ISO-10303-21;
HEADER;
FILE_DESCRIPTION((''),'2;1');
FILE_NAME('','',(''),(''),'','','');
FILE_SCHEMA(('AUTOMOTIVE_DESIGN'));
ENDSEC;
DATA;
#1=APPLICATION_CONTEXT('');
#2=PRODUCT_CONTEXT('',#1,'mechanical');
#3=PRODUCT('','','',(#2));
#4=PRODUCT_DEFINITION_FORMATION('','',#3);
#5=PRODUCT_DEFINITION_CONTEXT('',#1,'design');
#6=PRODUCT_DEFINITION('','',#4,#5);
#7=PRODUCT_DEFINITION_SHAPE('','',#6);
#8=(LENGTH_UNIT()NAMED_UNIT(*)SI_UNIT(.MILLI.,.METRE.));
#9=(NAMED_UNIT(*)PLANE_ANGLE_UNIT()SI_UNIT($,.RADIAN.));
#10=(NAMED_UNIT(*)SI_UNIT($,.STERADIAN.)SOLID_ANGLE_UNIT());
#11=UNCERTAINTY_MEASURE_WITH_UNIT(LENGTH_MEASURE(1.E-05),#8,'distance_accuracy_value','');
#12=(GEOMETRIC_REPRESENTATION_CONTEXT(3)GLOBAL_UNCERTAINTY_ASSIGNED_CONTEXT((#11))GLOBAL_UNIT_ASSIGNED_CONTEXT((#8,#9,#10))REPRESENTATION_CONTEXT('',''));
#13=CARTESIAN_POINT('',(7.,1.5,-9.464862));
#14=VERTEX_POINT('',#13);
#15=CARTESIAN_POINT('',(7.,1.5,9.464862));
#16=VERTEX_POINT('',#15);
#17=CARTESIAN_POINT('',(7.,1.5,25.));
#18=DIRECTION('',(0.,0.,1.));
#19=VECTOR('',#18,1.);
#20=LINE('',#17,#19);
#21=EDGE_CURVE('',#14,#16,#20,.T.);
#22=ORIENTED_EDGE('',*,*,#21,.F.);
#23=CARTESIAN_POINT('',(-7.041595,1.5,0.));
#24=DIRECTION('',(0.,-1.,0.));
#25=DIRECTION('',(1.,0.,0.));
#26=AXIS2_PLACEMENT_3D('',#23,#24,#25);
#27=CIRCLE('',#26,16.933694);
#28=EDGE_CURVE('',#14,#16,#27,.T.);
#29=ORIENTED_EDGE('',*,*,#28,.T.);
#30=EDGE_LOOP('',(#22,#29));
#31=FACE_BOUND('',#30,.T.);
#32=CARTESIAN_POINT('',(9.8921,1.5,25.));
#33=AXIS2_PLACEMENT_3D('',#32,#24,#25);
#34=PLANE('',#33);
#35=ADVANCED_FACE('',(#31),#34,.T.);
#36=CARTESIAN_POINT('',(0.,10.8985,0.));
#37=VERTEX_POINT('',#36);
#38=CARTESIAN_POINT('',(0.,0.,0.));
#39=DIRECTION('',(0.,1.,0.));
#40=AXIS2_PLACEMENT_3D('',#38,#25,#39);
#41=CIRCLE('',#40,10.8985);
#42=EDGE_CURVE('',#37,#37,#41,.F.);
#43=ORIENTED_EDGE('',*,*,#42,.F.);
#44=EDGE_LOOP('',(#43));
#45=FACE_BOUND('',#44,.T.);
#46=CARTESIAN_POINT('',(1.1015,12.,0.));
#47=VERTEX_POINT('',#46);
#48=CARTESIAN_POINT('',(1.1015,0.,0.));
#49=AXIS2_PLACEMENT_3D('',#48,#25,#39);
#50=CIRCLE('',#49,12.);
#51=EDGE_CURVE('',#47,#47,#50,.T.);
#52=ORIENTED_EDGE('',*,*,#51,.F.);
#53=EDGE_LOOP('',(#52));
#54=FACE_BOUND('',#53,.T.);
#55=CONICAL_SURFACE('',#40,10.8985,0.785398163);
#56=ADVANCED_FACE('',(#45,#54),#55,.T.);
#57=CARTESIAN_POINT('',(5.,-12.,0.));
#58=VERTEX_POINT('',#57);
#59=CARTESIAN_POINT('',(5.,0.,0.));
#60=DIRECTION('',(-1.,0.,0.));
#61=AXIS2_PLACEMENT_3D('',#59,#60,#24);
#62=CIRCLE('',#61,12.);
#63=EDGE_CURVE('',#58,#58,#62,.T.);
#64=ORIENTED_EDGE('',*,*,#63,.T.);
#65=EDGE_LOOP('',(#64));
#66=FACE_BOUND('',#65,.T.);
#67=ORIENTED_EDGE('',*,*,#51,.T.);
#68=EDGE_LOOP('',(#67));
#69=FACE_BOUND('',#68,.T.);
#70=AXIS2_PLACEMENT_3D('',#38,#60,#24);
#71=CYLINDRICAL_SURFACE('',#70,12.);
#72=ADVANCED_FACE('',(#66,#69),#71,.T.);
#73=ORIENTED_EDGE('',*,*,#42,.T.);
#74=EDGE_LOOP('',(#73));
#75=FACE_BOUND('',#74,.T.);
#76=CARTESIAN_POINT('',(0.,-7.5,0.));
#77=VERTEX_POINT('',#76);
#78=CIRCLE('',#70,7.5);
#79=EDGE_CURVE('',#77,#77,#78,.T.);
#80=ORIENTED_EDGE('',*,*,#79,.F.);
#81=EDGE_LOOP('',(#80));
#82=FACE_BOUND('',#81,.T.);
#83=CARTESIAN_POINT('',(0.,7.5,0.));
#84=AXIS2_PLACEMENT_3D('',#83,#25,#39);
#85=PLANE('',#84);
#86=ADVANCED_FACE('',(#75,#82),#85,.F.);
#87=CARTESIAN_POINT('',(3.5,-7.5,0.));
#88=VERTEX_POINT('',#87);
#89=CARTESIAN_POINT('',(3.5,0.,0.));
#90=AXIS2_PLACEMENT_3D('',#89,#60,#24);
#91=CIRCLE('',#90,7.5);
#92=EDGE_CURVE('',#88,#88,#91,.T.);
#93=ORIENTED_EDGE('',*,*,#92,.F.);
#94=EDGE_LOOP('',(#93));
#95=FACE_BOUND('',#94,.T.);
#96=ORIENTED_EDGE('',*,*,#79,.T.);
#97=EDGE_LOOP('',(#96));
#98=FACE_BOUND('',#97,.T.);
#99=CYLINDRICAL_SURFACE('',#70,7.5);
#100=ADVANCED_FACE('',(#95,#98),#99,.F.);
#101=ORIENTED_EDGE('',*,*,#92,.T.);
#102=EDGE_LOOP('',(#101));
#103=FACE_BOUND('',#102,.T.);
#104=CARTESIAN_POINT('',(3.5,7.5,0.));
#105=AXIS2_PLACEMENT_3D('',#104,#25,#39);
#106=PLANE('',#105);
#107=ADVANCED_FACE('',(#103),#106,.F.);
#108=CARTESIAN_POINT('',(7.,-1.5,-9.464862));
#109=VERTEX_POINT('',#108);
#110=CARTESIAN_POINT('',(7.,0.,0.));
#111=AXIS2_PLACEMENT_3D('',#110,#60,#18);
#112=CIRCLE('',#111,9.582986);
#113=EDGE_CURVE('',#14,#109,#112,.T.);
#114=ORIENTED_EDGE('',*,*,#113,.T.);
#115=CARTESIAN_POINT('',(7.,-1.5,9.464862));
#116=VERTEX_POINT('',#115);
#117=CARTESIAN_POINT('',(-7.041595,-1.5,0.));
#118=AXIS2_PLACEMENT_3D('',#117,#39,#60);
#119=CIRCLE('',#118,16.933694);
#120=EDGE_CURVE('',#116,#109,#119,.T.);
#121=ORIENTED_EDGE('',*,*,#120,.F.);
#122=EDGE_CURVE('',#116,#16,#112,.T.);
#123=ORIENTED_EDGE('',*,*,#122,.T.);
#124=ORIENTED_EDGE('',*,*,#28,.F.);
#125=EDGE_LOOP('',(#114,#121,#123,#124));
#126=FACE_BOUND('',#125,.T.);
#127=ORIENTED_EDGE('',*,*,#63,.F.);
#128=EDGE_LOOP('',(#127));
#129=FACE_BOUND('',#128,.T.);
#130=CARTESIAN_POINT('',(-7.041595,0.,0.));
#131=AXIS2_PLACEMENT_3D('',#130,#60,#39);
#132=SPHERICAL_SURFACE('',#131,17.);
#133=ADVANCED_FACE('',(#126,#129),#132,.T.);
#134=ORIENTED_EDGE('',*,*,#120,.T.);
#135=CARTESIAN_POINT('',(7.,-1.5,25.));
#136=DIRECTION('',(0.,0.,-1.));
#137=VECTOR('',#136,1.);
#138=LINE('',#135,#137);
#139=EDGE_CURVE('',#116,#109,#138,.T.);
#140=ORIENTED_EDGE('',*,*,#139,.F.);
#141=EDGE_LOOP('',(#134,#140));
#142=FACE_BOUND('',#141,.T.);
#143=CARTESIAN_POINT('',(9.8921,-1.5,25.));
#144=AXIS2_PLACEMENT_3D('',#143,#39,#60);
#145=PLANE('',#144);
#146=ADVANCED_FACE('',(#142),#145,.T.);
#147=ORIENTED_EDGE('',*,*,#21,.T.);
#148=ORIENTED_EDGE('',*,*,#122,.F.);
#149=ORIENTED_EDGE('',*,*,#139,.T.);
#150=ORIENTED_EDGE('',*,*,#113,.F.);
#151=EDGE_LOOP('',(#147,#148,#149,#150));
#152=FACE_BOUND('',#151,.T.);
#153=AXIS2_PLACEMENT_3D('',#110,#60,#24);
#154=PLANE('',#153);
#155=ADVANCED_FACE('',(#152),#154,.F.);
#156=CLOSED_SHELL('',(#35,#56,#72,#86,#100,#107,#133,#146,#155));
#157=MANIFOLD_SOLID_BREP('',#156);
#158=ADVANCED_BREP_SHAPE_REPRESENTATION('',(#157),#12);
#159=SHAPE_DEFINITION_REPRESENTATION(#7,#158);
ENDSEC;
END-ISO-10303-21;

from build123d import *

# Parameters (mm, degrees)
CHAMFER_1_SIZE      = 1.1015
SKETCH_2_W          = 50
SKETCH_2_H          = 3
CUT_EXTRUDE_1_DEPTH = 3.892099643


with BuildPart() as part:
    # Эскиз1 → Повернуть1 (revolve)
    with BuildSketch(Plane.XY):
        with BuildLine():
            Line((0, 12), (5, 12))
            ThreePointArc((5, 12), (8.36795896, 7.179530606), (9.892099643, 1.5))
            Line((9.892099643, 1.5), (7, 1.5))
            Line((7, 1.5), (7, 0))
            Line((7, 0), (3.5, 0))
            Line((3.5, 0), (3.5, 7.5))
            Line((3.5, 7.5), (0, 7.5))
            Line((0, 7.5), (0, 12))
        make_face()
    revolve(axis=Axis((0, 0, 0), (1, 0, 0)))

    # Фаска1
    chamfer_1_edges = [part.edges().sort_by_distance(p)[0] for p in [
        (0, -12, 0),
    ]]
    chamfer(chamfer_1_edges, length=CHAMFER_1_SIZE)

    # Эскиз2 → Вырез-Вытянуть1 (cut, through all)
    with BuildSketch(Plane(origin=(7, 0, 0), x_dir=(0, 0, -1), z_dir=(1, 0, 0))):
        Rectangle(SKETCH_2_W, SKETCH_2_H)
    extrude(amount=CUT_EXTRUDE_1_DEPTH, mode=Mode.SUBTRACT)


solid = part.part
